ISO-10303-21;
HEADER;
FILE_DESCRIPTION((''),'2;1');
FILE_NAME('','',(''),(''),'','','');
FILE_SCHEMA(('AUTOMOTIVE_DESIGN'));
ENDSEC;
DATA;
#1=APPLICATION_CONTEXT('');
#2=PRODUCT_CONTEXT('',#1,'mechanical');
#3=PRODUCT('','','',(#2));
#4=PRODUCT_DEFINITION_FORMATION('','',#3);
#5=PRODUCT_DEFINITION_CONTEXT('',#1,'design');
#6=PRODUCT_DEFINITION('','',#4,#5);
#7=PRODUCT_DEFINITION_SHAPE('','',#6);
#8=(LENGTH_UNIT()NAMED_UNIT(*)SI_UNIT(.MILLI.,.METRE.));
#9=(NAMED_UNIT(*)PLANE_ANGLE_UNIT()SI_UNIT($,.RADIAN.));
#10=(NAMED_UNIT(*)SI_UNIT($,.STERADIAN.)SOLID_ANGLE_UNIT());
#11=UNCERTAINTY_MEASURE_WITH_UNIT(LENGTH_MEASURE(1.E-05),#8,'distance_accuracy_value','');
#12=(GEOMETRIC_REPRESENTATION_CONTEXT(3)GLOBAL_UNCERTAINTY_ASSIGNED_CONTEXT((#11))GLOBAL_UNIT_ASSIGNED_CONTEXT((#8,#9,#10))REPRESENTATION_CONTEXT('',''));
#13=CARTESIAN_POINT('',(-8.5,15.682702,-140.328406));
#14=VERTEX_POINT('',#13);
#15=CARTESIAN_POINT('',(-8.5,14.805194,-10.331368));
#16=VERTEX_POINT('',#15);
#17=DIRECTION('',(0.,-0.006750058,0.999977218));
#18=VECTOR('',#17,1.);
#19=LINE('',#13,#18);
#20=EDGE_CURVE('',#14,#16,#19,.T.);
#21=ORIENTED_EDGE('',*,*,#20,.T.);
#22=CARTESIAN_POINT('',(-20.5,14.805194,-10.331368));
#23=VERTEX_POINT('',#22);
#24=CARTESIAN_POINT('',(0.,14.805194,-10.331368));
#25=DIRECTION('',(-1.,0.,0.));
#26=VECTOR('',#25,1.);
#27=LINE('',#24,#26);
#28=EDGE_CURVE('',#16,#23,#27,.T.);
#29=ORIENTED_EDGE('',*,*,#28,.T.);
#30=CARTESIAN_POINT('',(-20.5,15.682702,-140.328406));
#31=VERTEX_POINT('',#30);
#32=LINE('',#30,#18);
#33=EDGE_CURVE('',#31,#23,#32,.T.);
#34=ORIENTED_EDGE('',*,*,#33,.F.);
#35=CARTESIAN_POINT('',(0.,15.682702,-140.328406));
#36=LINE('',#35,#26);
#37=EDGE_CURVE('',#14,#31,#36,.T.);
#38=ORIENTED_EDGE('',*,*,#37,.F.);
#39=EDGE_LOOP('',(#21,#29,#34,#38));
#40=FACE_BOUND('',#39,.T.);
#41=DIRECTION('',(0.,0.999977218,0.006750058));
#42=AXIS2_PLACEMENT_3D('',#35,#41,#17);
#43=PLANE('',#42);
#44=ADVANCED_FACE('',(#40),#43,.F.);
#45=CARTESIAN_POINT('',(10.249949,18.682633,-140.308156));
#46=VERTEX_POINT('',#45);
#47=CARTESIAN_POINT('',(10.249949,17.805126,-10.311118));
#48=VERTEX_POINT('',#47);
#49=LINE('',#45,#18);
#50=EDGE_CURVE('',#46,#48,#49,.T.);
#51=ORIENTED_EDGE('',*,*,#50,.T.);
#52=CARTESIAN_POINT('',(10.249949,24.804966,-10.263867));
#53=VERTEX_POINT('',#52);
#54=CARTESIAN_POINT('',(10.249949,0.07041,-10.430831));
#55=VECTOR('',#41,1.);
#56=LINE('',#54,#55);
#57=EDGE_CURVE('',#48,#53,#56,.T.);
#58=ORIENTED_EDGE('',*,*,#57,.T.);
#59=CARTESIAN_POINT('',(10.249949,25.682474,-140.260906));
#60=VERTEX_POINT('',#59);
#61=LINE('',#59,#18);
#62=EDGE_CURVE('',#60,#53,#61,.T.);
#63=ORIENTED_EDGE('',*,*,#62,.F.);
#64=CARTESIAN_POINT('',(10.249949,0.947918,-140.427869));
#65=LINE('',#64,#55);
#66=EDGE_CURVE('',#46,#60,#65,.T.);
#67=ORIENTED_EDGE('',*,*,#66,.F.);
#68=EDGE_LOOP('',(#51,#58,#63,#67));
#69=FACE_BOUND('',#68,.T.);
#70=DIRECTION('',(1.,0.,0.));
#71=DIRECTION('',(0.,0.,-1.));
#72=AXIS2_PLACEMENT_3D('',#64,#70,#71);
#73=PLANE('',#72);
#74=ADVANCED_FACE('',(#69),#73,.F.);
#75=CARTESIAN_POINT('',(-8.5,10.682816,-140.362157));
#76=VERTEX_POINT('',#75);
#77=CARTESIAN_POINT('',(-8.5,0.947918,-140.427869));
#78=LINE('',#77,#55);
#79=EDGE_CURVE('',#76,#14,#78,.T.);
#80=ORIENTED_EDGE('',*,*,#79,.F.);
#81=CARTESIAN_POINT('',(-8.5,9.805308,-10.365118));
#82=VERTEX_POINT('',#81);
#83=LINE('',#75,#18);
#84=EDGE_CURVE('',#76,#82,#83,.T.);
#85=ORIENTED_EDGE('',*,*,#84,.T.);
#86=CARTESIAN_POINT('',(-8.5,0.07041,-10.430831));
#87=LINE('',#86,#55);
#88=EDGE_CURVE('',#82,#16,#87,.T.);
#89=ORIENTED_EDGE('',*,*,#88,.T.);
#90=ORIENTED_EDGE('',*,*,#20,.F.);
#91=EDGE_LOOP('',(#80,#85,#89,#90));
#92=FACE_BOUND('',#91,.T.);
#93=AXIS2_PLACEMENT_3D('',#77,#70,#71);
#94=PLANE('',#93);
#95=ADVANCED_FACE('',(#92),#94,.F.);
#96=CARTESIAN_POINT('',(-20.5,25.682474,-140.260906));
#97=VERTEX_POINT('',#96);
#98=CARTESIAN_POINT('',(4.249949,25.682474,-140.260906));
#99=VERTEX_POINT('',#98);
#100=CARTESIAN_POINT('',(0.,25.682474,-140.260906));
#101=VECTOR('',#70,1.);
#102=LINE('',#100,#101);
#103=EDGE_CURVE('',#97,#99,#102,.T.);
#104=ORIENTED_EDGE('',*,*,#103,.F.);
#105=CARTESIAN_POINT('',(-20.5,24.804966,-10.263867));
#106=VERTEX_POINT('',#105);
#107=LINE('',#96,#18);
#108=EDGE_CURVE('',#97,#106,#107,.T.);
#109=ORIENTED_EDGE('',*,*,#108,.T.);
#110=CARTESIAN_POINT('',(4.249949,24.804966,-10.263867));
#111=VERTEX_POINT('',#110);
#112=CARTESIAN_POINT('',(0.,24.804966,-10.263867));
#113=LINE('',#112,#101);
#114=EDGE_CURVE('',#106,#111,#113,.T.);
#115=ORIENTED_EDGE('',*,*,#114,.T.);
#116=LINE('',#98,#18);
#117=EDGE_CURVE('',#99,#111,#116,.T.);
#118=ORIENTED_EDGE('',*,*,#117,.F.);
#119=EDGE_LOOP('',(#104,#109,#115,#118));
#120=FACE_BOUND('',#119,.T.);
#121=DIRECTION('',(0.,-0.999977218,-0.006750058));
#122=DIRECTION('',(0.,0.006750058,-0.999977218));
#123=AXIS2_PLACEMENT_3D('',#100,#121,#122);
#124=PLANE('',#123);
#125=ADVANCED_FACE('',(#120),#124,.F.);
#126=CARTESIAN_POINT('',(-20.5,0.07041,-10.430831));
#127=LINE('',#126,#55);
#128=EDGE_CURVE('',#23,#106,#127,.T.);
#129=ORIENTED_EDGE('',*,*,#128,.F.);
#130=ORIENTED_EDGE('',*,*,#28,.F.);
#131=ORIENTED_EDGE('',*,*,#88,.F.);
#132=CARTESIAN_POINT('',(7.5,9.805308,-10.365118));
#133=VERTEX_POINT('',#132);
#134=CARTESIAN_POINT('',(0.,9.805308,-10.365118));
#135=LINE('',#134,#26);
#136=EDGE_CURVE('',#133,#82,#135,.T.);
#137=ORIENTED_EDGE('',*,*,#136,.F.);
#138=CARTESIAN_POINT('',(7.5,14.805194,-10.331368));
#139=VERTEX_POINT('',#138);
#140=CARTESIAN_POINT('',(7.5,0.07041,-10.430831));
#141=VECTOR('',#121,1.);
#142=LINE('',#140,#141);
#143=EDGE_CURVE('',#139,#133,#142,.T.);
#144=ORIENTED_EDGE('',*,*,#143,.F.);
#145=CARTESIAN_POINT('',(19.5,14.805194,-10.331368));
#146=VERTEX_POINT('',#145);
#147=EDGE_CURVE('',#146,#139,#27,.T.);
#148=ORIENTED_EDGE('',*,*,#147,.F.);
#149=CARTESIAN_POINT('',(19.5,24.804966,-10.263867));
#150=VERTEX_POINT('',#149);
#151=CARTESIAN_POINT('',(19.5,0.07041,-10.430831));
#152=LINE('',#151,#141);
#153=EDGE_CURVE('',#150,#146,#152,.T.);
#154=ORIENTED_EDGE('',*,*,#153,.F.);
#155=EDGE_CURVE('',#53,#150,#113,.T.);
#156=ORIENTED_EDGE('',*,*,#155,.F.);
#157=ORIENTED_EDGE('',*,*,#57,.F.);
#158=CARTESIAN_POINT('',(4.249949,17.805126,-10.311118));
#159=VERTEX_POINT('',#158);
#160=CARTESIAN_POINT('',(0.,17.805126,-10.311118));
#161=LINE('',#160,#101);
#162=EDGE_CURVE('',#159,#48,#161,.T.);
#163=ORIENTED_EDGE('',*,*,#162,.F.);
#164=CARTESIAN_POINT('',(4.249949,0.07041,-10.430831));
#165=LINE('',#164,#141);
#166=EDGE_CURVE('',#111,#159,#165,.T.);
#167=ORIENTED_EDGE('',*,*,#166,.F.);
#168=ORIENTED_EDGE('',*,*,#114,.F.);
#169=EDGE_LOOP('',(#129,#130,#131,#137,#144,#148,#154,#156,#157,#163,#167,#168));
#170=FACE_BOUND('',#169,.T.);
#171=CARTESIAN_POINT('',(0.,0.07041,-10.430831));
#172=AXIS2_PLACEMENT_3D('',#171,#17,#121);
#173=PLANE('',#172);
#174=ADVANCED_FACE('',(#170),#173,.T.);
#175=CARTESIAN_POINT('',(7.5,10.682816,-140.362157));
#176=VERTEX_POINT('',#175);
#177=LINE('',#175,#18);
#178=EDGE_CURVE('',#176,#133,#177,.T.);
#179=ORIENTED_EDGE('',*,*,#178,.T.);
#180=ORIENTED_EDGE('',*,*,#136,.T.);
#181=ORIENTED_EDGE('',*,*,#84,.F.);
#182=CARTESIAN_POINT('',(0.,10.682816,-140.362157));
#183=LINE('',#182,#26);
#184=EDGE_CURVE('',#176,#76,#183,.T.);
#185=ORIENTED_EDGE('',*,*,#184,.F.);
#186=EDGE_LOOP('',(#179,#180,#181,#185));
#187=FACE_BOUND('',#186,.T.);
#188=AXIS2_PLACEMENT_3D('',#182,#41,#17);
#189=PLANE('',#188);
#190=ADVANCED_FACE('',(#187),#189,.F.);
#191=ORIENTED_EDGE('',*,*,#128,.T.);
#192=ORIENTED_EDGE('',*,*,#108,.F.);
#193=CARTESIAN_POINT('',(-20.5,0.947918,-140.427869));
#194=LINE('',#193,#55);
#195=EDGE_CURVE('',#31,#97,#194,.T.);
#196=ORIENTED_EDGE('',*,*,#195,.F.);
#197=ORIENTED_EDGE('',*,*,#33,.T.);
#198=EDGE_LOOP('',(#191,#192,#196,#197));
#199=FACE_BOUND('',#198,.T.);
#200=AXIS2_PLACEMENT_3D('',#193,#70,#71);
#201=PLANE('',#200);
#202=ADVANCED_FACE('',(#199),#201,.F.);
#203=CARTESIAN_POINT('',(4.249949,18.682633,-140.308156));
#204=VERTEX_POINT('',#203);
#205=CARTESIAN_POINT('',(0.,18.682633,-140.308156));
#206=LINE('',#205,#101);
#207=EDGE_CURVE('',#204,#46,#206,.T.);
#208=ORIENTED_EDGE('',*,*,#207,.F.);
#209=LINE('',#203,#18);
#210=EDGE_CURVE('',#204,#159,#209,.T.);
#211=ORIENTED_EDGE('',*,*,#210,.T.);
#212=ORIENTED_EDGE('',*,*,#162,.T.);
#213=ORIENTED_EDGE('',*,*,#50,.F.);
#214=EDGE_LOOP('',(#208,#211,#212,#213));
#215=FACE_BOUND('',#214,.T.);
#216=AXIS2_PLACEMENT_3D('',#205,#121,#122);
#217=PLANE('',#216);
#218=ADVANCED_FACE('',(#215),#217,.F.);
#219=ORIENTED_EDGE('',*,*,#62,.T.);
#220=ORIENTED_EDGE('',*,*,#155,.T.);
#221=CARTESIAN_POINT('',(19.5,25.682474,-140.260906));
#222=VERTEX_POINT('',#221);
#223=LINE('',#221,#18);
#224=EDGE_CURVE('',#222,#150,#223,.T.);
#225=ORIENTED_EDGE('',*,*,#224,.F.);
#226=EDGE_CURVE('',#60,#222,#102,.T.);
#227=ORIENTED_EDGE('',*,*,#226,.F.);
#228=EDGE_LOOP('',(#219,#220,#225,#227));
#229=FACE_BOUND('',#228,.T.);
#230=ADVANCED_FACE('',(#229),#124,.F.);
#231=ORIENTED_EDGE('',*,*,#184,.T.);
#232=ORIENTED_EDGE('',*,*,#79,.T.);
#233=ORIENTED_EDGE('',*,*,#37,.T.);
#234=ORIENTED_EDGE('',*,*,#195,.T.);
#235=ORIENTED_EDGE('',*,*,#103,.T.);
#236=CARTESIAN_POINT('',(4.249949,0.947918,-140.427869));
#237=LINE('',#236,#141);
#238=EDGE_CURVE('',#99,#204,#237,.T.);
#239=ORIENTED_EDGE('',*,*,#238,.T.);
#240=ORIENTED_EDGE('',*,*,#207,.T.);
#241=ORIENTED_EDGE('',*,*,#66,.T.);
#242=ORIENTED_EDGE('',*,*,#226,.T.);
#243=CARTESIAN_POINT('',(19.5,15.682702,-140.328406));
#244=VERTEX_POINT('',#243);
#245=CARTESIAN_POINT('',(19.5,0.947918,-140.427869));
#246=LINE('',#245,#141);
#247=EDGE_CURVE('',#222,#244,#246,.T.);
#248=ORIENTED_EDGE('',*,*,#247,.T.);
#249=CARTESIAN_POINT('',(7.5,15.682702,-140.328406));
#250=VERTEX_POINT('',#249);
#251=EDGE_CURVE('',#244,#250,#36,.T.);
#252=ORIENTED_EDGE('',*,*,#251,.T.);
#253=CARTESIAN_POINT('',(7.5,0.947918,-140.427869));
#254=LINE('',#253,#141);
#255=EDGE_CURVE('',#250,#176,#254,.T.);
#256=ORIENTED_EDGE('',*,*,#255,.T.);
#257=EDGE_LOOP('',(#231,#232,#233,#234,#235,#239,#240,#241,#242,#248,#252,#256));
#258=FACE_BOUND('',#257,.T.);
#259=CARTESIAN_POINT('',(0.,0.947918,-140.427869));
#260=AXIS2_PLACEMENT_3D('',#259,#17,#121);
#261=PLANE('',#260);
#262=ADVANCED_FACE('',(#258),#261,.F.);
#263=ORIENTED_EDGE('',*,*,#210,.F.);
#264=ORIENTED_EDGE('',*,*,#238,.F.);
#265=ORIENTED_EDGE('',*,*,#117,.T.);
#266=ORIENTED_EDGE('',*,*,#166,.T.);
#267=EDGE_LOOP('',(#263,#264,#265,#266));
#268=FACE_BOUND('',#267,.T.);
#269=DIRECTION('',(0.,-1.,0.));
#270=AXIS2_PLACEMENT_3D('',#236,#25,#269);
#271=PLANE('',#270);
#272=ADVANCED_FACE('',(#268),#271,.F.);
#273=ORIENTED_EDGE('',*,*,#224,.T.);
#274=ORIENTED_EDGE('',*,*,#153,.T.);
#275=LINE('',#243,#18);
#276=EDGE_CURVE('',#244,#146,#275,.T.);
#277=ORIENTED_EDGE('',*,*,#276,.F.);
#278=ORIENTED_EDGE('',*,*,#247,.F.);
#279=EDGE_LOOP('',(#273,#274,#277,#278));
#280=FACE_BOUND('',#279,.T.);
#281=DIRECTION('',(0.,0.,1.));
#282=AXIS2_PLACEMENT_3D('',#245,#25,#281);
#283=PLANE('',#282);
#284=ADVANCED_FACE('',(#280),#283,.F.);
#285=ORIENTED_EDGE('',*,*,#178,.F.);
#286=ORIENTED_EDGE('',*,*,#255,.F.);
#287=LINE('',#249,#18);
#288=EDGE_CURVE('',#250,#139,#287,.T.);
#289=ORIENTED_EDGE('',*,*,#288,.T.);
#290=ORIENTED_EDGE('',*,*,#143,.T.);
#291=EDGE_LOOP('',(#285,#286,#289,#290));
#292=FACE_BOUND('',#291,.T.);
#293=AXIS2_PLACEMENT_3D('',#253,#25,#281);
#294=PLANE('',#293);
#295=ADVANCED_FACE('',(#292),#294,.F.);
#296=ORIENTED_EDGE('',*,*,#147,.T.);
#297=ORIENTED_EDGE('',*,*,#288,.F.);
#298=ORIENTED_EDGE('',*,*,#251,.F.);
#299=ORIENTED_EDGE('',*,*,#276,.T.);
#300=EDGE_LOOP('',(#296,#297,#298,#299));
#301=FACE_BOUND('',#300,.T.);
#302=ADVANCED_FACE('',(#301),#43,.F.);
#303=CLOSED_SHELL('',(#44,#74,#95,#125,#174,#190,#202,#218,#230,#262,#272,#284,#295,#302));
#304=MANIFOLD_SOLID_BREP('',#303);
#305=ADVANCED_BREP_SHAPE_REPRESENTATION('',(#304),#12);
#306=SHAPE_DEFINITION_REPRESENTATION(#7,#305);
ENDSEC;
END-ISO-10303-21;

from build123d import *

# Parameters (mm, degrees)
EXTRUDE_1_DEPTH = 130


with BuildPart() as part:
    # 草图1 → 凸台-拉伸1 (new body)
    with BuildSketch(Plane(origin=(0, 0.070410314, -10.430830946), x_dir=(1, 0, 0), z_dir=(0, -0.006750057654754126, 0.9999772181013213))):
        Polygon((-8.5, 9.735119508), (-0.5, 9.735119508), (-0.5, 24.735119508), (-20.5, 24.735119508), (-20.5, 14.735119508), (-8.5, 14.735119508), align=None)
        Polygon((-0.5, 24.735119508), (-0.5, 9.735119508), (7.5, 9.735119508), (7.5, 14.735119508), (19.5, 14.735119508), (19.5, 24.735119508), (10.2499492, 24.735119508), (10.2499492, 22.735119508), (10.2499492, 17.735119508), (4.2499492, 17.735119508), (4.2499492, 22.735119508), (4.2499492, 24.735119508), align=None)
    extrude(amount=-EXTRUDE_1_DEPTH)


solid = part.part
